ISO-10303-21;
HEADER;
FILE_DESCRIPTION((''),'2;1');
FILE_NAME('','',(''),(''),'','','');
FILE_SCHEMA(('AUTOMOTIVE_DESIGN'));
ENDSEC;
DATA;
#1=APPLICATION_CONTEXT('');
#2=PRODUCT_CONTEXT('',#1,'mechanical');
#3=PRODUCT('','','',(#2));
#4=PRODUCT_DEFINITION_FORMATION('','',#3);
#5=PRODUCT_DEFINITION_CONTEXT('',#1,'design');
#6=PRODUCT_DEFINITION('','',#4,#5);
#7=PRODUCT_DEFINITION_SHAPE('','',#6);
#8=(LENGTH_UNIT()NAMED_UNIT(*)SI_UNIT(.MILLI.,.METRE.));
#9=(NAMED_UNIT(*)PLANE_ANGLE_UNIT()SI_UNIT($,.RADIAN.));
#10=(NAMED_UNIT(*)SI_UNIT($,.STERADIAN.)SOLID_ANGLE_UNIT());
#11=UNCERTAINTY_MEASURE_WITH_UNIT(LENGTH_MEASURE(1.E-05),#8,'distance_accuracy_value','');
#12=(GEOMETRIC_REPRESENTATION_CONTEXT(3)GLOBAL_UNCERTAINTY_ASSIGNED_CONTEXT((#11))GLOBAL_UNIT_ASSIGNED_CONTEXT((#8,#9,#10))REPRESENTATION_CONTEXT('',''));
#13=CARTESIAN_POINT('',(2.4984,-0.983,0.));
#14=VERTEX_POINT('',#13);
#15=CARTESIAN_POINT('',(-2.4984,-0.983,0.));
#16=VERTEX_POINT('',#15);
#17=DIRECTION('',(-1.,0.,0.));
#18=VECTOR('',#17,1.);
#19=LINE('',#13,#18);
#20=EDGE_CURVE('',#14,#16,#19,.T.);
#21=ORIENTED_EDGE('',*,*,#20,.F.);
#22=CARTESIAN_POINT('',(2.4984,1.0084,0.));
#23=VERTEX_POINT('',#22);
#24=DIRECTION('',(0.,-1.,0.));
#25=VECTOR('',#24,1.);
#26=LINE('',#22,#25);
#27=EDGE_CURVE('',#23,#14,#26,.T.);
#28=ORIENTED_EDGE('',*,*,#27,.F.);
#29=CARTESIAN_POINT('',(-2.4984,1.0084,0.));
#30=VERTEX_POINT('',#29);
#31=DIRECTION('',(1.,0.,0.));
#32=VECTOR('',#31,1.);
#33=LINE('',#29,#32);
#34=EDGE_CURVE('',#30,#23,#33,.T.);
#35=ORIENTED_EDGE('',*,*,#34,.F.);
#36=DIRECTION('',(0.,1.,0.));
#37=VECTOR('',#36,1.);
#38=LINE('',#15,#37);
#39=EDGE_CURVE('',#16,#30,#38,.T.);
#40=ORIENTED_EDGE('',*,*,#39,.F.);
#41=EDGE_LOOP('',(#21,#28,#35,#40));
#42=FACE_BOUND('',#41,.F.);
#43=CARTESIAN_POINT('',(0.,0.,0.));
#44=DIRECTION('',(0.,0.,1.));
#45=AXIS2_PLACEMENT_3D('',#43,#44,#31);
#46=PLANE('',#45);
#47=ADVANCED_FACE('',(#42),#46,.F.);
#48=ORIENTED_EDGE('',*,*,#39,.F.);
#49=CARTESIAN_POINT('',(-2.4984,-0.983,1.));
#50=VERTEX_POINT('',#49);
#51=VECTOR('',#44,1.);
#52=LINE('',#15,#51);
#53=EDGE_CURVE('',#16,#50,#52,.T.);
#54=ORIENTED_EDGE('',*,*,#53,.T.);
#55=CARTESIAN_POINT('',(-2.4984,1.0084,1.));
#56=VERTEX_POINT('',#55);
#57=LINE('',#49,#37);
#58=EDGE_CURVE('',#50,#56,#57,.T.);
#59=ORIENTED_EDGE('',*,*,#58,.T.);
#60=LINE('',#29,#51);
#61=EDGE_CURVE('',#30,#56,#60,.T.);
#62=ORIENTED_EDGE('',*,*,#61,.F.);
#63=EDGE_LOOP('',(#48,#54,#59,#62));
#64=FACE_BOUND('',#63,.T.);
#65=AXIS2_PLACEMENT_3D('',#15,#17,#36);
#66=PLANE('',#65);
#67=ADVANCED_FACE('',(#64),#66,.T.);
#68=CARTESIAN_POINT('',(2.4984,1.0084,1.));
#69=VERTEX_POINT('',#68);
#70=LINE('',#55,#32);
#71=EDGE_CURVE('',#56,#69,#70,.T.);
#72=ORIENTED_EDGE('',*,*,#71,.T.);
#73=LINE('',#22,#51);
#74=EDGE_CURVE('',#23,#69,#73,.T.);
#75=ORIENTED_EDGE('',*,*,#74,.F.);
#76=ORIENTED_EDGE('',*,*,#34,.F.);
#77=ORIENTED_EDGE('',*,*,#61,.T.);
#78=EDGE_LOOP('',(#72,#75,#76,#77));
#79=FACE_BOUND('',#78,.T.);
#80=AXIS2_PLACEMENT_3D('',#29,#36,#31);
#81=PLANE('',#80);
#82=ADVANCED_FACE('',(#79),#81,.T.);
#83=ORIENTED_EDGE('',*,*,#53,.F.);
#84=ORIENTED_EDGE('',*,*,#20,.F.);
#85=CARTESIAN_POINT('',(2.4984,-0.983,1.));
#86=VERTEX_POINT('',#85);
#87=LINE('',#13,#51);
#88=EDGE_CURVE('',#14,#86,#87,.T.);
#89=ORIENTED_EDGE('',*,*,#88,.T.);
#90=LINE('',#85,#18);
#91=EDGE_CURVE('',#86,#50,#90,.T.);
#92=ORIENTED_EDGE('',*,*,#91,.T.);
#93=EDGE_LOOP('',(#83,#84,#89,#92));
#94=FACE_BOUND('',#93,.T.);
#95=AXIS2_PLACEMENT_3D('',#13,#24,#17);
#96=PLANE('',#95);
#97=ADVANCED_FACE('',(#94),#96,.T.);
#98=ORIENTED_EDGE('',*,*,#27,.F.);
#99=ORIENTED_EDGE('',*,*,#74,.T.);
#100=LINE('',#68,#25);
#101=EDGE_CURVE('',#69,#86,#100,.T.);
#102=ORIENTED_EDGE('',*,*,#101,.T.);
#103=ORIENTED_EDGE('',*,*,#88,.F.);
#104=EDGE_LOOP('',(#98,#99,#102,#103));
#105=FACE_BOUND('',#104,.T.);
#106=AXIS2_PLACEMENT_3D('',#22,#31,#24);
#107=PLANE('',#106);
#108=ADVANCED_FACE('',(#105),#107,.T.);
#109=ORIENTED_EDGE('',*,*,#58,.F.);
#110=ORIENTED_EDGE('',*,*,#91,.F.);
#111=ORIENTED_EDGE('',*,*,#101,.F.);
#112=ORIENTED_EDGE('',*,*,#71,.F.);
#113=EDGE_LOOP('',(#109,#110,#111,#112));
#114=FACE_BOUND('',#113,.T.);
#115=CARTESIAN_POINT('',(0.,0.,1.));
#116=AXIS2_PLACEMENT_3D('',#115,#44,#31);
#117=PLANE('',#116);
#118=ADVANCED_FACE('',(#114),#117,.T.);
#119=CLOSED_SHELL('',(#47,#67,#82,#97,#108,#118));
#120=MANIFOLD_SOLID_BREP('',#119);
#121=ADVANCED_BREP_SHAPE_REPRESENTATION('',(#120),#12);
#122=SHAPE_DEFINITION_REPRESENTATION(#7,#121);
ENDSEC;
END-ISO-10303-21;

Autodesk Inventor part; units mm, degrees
ref_plane "YZ Plane" through (0, 0, 0) normal (1, 0, 0) x (0, 1, 0)
ref_plane "XZ Plane" through (0, 0, 0) normal (0, 1, 0) x (-1, 0, 0)
ref_plane "XY Plane" through (0, 0, 0) normal (0, 0, 1) x (1, 0, 0)
sketch "C3216, 100P_22" plane through (0, 0, 0) normal (0, 0, 1) x (1, 0, 0)
  line L0 (-2.4984, 1.0084) -> (2.4984, 1.0084)
  line L1 (2.4984, 1.0084) -> (2.4984, -0.983)
  line L2 (2.4984, -0.983) -> (-2.4984, -0.983)
  line L3 (-2.4984, -0.983) -> (-2.4984, 1.0084)
extrude "Extrusion1" add sketch "C3216, 100P_22" along normal blind 1
properties part number "100P"
